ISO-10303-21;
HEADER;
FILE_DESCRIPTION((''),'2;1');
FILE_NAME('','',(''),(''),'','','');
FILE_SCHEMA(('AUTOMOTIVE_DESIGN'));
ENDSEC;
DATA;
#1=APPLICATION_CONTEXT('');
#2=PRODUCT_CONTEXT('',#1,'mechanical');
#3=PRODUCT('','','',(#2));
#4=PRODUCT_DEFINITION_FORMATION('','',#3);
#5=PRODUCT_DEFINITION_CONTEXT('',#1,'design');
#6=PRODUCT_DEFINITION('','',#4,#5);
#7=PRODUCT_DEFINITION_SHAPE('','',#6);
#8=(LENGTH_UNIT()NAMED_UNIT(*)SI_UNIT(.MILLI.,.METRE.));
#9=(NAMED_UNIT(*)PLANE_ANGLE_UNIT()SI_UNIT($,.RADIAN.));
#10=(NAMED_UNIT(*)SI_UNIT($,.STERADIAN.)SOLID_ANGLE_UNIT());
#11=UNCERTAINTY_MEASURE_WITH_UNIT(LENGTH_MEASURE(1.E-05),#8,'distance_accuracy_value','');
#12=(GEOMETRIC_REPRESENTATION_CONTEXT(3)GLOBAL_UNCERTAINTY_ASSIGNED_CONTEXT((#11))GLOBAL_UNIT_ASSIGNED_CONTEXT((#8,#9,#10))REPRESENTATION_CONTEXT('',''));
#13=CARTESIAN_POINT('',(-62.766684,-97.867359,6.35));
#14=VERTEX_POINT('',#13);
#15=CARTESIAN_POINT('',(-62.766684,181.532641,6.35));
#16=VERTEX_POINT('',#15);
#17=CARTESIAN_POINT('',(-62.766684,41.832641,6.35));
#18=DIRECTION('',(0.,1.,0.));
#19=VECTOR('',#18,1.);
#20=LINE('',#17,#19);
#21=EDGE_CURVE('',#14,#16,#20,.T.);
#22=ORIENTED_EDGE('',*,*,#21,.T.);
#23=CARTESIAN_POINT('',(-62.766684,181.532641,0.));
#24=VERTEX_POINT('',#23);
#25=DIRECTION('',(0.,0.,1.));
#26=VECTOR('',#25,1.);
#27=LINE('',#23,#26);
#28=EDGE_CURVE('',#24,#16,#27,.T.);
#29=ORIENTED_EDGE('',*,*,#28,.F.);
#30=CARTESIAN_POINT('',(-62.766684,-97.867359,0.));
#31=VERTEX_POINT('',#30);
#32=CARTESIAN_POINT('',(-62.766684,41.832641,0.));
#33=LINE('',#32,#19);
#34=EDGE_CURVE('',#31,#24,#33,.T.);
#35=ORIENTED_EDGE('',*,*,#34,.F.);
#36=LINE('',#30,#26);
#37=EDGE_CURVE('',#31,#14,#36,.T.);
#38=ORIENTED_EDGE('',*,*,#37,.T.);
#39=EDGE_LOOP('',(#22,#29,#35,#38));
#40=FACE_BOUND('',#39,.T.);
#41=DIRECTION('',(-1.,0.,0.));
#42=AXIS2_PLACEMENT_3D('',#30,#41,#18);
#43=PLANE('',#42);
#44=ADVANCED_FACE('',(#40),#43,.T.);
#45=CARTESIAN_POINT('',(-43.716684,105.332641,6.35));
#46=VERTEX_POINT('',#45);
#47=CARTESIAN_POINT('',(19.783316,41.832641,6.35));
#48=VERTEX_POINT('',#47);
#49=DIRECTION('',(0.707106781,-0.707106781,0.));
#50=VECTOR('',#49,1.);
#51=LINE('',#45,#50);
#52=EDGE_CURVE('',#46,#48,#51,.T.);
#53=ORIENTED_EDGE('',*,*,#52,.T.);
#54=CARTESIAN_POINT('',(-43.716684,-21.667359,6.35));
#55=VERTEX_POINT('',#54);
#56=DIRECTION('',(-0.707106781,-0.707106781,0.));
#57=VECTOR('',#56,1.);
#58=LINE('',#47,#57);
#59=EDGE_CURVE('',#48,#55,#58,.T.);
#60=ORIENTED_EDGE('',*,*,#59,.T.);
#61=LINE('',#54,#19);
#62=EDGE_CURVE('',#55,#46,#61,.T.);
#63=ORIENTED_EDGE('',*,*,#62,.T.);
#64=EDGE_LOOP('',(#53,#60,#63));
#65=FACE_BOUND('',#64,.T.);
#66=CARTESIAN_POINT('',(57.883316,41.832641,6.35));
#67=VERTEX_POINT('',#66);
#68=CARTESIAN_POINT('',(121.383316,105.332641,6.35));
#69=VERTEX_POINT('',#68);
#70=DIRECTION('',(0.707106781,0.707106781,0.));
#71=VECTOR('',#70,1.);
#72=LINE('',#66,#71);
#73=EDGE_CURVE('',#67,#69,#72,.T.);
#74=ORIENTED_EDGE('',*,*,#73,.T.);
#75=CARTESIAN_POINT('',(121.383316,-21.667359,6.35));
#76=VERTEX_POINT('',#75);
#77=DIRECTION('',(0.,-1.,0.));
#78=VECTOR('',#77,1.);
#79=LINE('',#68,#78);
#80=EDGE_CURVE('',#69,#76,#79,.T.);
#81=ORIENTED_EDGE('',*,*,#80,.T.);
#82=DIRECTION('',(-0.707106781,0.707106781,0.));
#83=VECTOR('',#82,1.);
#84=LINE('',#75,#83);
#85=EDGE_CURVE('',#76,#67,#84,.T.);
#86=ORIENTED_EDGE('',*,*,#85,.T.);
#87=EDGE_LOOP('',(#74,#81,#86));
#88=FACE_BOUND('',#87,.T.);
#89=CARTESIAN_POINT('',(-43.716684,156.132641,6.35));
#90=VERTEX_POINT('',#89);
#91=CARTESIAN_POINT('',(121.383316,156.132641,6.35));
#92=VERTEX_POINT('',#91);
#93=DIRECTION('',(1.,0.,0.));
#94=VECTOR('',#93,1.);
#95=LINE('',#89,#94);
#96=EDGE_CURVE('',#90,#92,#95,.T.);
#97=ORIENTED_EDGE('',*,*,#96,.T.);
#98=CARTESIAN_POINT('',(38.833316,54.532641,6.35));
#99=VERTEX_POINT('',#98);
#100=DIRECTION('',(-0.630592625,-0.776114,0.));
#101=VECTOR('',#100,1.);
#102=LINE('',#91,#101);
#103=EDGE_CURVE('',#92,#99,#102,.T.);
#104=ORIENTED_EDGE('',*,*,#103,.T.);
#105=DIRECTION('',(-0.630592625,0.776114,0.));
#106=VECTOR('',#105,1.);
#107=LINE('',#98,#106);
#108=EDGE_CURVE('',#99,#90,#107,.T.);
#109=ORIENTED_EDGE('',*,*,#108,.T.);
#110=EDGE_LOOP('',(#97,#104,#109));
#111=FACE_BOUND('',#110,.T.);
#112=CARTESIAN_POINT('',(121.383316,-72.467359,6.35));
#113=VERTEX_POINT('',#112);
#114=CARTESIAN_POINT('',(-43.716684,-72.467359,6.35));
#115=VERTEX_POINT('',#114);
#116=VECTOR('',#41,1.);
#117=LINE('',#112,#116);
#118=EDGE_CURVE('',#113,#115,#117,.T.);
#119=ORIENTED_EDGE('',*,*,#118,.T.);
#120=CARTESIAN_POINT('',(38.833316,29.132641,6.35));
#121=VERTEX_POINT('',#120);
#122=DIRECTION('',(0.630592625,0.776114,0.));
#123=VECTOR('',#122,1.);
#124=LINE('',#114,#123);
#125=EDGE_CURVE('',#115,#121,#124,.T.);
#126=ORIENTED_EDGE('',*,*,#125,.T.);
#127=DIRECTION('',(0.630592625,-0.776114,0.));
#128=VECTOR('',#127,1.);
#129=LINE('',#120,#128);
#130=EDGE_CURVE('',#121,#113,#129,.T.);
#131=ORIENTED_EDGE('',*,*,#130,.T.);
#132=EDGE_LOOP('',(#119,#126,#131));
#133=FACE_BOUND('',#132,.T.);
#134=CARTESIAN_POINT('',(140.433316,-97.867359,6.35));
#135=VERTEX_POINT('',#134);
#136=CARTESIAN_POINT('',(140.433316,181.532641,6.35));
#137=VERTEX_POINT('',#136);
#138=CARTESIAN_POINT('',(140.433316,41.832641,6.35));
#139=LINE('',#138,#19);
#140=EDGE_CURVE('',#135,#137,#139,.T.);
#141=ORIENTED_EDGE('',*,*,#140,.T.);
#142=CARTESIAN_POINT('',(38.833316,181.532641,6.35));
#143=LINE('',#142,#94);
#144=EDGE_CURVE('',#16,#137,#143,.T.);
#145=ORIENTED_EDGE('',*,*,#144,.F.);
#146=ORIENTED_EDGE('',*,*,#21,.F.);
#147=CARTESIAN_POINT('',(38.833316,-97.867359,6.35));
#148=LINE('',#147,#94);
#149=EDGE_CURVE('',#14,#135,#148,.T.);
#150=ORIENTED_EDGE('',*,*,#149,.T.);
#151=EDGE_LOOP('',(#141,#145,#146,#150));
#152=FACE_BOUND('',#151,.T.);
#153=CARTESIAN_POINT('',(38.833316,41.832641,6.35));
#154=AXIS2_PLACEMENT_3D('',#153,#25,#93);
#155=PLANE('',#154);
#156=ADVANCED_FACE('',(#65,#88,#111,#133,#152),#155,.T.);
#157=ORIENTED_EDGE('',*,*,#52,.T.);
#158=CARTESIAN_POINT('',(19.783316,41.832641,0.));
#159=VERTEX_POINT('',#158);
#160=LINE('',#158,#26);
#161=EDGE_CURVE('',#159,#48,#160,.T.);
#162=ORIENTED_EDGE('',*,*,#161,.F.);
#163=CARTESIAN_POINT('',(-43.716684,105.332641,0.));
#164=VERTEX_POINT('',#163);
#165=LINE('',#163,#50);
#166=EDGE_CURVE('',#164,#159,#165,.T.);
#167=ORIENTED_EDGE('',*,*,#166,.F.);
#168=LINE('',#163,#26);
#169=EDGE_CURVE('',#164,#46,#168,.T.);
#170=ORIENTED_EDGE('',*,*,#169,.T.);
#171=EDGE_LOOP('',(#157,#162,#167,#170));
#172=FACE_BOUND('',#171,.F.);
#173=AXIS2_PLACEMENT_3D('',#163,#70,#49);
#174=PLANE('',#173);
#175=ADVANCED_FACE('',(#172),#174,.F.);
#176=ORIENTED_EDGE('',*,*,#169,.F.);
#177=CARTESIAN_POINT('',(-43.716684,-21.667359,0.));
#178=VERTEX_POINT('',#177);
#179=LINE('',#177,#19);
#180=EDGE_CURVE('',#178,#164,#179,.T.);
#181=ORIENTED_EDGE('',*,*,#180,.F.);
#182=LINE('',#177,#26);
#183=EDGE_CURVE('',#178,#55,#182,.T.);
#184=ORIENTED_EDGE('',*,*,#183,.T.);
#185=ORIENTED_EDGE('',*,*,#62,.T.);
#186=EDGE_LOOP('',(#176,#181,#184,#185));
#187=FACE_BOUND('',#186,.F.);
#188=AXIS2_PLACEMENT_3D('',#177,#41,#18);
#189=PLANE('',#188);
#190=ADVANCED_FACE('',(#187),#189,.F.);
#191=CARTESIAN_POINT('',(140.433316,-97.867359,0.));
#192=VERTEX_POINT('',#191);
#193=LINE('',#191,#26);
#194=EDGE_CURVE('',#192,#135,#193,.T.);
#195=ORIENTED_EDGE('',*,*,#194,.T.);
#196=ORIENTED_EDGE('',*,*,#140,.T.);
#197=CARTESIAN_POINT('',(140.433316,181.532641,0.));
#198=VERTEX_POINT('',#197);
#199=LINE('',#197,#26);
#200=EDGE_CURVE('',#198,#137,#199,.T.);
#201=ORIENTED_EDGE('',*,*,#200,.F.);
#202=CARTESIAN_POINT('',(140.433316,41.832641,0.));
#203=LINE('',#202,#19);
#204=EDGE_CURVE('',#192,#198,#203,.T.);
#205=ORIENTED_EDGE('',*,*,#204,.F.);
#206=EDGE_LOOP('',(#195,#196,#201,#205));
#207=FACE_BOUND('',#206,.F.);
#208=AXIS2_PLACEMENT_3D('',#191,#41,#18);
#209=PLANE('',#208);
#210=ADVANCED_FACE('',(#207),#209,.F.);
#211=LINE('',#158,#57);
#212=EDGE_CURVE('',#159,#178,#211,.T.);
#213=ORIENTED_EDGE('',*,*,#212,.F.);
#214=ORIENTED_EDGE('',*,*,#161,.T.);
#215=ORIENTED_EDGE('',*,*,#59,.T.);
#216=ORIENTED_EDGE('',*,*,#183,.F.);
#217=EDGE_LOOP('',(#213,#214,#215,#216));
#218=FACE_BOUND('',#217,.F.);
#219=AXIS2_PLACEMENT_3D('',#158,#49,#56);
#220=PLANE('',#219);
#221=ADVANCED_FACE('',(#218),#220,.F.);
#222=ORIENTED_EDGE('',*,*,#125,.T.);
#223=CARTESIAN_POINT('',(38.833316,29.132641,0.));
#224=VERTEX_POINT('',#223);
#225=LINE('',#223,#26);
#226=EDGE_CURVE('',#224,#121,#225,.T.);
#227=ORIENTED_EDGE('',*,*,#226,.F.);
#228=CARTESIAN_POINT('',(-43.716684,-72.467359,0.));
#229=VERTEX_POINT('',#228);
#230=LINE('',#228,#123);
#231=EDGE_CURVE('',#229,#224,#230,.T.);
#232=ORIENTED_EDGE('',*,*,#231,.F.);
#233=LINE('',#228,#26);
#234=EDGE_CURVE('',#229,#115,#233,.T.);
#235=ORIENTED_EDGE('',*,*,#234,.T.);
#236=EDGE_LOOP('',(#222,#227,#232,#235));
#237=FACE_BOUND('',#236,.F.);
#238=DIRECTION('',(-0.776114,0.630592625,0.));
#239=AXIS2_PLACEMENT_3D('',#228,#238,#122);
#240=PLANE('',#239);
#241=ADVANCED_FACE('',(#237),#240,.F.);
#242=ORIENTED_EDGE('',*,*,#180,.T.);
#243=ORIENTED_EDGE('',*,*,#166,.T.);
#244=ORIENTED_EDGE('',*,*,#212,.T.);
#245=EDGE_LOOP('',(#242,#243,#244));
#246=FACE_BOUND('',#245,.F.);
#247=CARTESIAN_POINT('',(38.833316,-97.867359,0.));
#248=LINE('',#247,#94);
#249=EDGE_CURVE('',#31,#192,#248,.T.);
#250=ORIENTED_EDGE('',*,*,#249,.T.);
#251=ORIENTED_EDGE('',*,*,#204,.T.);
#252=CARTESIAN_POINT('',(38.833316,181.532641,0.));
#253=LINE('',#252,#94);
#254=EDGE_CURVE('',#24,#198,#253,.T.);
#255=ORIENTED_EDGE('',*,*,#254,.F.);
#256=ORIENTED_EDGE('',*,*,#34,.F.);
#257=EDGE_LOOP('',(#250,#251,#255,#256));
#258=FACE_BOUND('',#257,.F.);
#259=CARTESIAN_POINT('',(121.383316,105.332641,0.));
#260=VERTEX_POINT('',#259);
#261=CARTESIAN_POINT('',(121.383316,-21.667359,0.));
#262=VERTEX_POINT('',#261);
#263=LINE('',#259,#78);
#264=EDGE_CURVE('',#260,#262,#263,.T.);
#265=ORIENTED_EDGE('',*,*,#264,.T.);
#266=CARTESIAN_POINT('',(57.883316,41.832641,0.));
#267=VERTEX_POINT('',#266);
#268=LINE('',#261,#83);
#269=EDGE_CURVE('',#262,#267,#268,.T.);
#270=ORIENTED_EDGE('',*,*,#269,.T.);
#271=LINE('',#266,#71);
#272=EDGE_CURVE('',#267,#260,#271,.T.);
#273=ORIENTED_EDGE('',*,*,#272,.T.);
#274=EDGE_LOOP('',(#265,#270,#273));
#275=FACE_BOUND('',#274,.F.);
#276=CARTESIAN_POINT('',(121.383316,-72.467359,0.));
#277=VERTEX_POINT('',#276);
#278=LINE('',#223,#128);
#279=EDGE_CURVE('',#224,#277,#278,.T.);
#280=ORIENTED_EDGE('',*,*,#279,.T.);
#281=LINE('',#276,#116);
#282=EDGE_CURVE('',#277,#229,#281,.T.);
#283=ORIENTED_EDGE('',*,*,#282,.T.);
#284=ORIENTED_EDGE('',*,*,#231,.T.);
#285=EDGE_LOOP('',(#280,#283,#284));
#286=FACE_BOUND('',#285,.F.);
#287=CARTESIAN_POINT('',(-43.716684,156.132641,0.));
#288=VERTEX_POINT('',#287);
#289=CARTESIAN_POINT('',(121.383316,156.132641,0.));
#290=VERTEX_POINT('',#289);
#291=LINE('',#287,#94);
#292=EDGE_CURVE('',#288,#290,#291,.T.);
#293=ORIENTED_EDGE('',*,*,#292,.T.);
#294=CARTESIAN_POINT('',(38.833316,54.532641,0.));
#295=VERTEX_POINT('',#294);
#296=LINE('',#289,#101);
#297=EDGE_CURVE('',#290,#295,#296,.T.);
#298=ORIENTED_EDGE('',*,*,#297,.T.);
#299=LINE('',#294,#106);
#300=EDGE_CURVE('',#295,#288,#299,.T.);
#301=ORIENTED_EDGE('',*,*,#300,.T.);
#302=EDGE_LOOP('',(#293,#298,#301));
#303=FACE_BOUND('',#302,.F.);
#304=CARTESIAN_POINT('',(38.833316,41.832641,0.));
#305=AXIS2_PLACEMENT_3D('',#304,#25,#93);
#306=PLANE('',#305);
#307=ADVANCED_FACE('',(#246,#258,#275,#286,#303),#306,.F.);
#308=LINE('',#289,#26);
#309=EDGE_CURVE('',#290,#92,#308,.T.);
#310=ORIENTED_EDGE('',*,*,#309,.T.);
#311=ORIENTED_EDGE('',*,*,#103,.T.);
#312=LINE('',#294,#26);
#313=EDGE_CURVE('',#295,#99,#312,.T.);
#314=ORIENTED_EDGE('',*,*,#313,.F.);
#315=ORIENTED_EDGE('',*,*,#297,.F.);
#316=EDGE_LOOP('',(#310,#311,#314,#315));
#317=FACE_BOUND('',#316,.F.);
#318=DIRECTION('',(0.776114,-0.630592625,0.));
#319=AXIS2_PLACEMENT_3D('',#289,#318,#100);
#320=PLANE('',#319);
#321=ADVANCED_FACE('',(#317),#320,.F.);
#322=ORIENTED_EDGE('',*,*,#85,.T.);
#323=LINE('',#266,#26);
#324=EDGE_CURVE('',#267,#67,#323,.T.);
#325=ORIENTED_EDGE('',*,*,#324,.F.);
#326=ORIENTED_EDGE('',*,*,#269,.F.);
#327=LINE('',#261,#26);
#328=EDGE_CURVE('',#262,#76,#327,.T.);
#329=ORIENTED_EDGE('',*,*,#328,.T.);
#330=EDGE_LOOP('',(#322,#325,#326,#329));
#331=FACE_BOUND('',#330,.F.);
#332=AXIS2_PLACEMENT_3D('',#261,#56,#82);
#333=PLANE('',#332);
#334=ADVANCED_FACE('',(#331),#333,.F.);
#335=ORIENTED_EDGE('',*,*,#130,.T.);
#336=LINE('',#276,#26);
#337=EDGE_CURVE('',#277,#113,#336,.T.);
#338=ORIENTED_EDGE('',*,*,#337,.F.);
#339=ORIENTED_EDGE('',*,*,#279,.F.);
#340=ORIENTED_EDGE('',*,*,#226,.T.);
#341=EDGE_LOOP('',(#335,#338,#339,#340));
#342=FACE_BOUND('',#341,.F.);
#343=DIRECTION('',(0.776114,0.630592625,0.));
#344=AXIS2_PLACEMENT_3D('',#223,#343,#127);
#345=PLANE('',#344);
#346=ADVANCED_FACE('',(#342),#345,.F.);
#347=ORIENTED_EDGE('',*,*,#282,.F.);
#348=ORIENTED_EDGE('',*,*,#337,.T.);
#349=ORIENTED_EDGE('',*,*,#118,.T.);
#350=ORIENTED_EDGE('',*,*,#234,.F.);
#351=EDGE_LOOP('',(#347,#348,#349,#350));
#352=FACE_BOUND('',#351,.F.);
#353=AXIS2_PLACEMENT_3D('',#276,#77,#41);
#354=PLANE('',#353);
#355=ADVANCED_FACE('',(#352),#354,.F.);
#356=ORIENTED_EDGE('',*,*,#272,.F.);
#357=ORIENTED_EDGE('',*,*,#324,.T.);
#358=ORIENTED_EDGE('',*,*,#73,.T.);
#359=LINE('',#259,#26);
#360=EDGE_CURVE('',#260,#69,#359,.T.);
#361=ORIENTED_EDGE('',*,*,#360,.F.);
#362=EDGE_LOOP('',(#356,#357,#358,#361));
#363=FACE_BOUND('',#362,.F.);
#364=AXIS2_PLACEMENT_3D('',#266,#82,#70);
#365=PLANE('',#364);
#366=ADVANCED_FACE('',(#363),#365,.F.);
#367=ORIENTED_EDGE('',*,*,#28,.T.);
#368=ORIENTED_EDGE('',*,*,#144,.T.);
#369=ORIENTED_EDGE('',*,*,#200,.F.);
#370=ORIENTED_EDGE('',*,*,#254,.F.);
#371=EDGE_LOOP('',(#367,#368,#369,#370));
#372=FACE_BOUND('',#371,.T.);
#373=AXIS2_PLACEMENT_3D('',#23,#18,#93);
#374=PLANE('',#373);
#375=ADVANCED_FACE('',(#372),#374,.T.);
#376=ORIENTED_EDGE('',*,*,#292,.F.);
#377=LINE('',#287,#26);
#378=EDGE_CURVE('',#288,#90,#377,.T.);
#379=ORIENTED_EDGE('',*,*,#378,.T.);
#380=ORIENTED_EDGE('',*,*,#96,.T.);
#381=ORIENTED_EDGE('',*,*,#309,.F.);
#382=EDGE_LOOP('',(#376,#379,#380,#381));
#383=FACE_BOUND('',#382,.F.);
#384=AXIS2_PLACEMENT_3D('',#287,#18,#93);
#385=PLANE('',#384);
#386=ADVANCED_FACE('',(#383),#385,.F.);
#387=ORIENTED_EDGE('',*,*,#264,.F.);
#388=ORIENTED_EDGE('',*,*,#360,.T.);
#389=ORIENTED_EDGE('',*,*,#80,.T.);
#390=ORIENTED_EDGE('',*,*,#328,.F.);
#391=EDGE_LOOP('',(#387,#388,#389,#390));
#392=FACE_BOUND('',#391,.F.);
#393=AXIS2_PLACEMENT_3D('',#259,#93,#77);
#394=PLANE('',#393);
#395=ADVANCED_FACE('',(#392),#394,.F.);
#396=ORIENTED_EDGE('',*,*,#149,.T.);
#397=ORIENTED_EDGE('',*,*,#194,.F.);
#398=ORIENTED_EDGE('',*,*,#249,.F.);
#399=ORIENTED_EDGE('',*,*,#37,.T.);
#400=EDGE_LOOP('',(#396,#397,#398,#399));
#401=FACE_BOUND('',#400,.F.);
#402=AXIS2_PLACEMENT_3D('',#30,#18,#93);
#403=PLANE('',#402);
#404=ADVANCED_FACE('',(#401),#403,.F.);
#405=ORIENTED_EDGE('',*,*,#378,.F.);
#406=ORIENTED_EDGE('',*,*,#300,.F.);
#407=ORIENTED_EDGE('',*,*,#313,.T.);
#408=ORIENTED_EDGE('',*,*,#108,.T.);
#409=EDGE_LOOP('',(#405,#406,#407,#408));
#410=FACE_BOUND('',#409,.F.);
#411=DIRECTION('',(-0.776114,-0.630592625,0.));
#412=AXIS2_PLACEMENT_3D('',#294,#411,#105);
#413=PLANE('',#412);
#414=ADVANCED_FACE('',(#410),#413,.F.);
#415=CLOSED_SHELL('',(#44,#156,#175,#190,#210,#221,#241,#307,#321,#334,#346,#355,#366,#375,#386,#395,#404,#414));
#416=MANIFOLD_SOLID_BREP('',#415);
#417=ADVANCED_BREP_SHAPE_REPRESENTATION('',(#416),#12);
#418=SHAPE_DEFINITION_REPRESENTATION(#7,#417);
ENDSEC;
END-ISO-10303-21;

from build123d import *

# Parameters (mm, degrees)
F0_W     = 203.2
F0_H     = 279.4
F1_DEPTH = 6.35


with BuildPart() as f1:
    # F0 (on Top) → F1 (new body)
    with BuildSketch(Plane.XY):
        with Locations((38.833316, 41.832641)):
            Rectangle(F0_W, F0_H)
        Polygon((-43.716684, -72.467359), (38.833316, 29.132641), (121.383316, -72.467359), align=None, mode=Mode.SUBTRACT)
        Polygon((-43.716684, -21.667359), (-43.716684, 105.332641), (19.783316, 41.832641), align=None, mode=Mode.SUBTRACT)
        Polygon((38.833316, 54.532641), (-43.716684, 156.132641), (121.383316, 156.132641), align=None, mode=Mode.SUBTRACT)
        Polygon((121.383316, -21.667359), (57.883316, 41.832641), (121.383316, 105.332641), align=None, mode=Mode.SUBTRACT)
    extrude(amount=F1_DEPTH)


solid = f1.part
